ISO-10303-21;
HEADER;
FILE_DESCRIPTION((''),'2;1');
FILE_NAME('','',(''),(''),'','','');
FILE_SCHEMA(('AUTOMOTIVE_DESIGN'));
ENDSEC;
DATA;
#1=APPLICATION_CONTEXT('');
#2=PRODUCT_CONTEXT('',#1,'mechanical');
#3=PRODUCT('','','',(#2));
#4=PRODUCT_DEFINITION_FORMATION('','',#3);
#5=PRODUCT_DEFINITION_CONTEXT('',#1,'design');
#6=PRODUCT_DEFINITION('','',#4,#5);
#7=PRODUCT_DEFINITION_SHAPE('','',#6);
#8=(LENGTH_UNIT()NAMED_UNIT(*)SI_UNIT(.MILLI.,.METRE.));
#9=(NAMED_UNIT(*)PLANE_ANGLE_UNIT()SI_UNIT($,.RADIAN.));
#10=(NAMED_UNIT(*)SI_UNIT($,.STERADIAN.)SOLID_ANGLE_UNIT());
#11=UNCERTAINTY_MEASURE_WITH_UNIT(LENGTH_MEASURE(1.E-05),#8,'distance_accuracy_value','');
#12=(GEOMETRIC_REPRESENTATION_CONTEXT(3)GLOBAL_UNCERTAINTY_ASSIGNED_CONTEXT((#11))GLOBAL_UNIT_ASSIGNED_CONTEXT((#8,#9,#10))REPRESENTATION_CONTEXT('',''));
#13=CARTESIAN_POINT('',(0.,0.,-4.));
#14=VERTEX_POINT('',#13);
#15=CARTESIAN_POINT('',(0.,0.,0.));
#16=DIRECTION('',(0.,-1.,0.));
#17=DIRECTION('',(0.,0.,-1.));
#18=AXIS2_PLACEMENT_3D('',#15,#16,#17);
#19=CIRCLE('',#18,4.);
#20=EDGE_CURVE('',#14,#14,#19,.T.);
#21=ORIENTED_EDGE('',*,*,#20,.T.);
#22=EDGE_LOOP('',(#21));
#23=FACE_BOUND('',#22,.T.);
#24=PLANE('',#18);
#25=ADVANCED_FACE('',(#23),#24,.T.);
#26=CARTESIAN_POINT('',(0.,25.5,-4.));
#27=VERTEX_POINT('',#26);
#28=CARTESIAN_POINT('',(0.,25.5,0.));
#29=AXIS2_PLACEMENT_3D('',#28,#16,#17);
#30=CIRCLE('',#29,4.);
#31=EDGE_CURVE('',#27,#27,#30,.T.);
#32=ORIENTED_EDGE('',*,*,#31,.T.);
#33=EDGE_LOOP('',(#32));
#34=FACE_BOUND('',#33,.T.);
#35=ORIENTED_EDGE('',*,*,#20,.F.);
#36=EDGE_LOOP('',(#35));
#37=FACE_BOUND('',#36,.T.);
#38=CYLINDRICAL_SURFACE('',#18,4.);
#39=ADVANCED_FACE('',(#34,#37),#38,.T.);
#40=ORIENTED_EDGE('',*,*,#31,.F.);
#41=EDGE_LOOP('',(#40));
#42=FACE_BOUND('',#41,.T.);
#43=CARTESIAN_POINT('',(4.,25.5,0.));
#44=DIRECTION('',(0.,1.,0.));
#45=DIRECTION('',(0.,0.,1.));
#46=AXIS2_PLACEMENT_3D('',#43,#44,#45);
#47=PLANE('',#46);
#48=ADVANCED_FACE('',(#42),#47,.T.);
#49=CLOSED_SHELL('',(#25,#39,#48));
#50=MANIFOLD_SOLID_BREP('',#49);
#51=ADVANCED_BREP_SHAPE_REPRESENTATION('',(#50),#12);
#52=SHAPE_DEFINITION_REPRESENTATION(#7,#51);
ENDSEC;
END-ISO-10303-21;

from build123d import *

# Parameters (mm, degrees)
SKETCH_1_W = 4
SKETCH_1_H = 25.5


with BuildPart() as part:
    # 草图1 → Revolve 2 (revolve)
    with BuildSketch(Plane.XY, mode=Mode.PRIVATE) as revolve_2_sk:
        with Locations((2, 12.75)):
            Rectangle(SKETCH_1_W, SKETCH_1_H)
    revolve(revolve_2_sk.sketch.rotate(Axis((0, 0, 0), (0, 1, 0)), 90), axis=Axis((0, 0, 0), (0, 1, 0)))


solid = part.part
